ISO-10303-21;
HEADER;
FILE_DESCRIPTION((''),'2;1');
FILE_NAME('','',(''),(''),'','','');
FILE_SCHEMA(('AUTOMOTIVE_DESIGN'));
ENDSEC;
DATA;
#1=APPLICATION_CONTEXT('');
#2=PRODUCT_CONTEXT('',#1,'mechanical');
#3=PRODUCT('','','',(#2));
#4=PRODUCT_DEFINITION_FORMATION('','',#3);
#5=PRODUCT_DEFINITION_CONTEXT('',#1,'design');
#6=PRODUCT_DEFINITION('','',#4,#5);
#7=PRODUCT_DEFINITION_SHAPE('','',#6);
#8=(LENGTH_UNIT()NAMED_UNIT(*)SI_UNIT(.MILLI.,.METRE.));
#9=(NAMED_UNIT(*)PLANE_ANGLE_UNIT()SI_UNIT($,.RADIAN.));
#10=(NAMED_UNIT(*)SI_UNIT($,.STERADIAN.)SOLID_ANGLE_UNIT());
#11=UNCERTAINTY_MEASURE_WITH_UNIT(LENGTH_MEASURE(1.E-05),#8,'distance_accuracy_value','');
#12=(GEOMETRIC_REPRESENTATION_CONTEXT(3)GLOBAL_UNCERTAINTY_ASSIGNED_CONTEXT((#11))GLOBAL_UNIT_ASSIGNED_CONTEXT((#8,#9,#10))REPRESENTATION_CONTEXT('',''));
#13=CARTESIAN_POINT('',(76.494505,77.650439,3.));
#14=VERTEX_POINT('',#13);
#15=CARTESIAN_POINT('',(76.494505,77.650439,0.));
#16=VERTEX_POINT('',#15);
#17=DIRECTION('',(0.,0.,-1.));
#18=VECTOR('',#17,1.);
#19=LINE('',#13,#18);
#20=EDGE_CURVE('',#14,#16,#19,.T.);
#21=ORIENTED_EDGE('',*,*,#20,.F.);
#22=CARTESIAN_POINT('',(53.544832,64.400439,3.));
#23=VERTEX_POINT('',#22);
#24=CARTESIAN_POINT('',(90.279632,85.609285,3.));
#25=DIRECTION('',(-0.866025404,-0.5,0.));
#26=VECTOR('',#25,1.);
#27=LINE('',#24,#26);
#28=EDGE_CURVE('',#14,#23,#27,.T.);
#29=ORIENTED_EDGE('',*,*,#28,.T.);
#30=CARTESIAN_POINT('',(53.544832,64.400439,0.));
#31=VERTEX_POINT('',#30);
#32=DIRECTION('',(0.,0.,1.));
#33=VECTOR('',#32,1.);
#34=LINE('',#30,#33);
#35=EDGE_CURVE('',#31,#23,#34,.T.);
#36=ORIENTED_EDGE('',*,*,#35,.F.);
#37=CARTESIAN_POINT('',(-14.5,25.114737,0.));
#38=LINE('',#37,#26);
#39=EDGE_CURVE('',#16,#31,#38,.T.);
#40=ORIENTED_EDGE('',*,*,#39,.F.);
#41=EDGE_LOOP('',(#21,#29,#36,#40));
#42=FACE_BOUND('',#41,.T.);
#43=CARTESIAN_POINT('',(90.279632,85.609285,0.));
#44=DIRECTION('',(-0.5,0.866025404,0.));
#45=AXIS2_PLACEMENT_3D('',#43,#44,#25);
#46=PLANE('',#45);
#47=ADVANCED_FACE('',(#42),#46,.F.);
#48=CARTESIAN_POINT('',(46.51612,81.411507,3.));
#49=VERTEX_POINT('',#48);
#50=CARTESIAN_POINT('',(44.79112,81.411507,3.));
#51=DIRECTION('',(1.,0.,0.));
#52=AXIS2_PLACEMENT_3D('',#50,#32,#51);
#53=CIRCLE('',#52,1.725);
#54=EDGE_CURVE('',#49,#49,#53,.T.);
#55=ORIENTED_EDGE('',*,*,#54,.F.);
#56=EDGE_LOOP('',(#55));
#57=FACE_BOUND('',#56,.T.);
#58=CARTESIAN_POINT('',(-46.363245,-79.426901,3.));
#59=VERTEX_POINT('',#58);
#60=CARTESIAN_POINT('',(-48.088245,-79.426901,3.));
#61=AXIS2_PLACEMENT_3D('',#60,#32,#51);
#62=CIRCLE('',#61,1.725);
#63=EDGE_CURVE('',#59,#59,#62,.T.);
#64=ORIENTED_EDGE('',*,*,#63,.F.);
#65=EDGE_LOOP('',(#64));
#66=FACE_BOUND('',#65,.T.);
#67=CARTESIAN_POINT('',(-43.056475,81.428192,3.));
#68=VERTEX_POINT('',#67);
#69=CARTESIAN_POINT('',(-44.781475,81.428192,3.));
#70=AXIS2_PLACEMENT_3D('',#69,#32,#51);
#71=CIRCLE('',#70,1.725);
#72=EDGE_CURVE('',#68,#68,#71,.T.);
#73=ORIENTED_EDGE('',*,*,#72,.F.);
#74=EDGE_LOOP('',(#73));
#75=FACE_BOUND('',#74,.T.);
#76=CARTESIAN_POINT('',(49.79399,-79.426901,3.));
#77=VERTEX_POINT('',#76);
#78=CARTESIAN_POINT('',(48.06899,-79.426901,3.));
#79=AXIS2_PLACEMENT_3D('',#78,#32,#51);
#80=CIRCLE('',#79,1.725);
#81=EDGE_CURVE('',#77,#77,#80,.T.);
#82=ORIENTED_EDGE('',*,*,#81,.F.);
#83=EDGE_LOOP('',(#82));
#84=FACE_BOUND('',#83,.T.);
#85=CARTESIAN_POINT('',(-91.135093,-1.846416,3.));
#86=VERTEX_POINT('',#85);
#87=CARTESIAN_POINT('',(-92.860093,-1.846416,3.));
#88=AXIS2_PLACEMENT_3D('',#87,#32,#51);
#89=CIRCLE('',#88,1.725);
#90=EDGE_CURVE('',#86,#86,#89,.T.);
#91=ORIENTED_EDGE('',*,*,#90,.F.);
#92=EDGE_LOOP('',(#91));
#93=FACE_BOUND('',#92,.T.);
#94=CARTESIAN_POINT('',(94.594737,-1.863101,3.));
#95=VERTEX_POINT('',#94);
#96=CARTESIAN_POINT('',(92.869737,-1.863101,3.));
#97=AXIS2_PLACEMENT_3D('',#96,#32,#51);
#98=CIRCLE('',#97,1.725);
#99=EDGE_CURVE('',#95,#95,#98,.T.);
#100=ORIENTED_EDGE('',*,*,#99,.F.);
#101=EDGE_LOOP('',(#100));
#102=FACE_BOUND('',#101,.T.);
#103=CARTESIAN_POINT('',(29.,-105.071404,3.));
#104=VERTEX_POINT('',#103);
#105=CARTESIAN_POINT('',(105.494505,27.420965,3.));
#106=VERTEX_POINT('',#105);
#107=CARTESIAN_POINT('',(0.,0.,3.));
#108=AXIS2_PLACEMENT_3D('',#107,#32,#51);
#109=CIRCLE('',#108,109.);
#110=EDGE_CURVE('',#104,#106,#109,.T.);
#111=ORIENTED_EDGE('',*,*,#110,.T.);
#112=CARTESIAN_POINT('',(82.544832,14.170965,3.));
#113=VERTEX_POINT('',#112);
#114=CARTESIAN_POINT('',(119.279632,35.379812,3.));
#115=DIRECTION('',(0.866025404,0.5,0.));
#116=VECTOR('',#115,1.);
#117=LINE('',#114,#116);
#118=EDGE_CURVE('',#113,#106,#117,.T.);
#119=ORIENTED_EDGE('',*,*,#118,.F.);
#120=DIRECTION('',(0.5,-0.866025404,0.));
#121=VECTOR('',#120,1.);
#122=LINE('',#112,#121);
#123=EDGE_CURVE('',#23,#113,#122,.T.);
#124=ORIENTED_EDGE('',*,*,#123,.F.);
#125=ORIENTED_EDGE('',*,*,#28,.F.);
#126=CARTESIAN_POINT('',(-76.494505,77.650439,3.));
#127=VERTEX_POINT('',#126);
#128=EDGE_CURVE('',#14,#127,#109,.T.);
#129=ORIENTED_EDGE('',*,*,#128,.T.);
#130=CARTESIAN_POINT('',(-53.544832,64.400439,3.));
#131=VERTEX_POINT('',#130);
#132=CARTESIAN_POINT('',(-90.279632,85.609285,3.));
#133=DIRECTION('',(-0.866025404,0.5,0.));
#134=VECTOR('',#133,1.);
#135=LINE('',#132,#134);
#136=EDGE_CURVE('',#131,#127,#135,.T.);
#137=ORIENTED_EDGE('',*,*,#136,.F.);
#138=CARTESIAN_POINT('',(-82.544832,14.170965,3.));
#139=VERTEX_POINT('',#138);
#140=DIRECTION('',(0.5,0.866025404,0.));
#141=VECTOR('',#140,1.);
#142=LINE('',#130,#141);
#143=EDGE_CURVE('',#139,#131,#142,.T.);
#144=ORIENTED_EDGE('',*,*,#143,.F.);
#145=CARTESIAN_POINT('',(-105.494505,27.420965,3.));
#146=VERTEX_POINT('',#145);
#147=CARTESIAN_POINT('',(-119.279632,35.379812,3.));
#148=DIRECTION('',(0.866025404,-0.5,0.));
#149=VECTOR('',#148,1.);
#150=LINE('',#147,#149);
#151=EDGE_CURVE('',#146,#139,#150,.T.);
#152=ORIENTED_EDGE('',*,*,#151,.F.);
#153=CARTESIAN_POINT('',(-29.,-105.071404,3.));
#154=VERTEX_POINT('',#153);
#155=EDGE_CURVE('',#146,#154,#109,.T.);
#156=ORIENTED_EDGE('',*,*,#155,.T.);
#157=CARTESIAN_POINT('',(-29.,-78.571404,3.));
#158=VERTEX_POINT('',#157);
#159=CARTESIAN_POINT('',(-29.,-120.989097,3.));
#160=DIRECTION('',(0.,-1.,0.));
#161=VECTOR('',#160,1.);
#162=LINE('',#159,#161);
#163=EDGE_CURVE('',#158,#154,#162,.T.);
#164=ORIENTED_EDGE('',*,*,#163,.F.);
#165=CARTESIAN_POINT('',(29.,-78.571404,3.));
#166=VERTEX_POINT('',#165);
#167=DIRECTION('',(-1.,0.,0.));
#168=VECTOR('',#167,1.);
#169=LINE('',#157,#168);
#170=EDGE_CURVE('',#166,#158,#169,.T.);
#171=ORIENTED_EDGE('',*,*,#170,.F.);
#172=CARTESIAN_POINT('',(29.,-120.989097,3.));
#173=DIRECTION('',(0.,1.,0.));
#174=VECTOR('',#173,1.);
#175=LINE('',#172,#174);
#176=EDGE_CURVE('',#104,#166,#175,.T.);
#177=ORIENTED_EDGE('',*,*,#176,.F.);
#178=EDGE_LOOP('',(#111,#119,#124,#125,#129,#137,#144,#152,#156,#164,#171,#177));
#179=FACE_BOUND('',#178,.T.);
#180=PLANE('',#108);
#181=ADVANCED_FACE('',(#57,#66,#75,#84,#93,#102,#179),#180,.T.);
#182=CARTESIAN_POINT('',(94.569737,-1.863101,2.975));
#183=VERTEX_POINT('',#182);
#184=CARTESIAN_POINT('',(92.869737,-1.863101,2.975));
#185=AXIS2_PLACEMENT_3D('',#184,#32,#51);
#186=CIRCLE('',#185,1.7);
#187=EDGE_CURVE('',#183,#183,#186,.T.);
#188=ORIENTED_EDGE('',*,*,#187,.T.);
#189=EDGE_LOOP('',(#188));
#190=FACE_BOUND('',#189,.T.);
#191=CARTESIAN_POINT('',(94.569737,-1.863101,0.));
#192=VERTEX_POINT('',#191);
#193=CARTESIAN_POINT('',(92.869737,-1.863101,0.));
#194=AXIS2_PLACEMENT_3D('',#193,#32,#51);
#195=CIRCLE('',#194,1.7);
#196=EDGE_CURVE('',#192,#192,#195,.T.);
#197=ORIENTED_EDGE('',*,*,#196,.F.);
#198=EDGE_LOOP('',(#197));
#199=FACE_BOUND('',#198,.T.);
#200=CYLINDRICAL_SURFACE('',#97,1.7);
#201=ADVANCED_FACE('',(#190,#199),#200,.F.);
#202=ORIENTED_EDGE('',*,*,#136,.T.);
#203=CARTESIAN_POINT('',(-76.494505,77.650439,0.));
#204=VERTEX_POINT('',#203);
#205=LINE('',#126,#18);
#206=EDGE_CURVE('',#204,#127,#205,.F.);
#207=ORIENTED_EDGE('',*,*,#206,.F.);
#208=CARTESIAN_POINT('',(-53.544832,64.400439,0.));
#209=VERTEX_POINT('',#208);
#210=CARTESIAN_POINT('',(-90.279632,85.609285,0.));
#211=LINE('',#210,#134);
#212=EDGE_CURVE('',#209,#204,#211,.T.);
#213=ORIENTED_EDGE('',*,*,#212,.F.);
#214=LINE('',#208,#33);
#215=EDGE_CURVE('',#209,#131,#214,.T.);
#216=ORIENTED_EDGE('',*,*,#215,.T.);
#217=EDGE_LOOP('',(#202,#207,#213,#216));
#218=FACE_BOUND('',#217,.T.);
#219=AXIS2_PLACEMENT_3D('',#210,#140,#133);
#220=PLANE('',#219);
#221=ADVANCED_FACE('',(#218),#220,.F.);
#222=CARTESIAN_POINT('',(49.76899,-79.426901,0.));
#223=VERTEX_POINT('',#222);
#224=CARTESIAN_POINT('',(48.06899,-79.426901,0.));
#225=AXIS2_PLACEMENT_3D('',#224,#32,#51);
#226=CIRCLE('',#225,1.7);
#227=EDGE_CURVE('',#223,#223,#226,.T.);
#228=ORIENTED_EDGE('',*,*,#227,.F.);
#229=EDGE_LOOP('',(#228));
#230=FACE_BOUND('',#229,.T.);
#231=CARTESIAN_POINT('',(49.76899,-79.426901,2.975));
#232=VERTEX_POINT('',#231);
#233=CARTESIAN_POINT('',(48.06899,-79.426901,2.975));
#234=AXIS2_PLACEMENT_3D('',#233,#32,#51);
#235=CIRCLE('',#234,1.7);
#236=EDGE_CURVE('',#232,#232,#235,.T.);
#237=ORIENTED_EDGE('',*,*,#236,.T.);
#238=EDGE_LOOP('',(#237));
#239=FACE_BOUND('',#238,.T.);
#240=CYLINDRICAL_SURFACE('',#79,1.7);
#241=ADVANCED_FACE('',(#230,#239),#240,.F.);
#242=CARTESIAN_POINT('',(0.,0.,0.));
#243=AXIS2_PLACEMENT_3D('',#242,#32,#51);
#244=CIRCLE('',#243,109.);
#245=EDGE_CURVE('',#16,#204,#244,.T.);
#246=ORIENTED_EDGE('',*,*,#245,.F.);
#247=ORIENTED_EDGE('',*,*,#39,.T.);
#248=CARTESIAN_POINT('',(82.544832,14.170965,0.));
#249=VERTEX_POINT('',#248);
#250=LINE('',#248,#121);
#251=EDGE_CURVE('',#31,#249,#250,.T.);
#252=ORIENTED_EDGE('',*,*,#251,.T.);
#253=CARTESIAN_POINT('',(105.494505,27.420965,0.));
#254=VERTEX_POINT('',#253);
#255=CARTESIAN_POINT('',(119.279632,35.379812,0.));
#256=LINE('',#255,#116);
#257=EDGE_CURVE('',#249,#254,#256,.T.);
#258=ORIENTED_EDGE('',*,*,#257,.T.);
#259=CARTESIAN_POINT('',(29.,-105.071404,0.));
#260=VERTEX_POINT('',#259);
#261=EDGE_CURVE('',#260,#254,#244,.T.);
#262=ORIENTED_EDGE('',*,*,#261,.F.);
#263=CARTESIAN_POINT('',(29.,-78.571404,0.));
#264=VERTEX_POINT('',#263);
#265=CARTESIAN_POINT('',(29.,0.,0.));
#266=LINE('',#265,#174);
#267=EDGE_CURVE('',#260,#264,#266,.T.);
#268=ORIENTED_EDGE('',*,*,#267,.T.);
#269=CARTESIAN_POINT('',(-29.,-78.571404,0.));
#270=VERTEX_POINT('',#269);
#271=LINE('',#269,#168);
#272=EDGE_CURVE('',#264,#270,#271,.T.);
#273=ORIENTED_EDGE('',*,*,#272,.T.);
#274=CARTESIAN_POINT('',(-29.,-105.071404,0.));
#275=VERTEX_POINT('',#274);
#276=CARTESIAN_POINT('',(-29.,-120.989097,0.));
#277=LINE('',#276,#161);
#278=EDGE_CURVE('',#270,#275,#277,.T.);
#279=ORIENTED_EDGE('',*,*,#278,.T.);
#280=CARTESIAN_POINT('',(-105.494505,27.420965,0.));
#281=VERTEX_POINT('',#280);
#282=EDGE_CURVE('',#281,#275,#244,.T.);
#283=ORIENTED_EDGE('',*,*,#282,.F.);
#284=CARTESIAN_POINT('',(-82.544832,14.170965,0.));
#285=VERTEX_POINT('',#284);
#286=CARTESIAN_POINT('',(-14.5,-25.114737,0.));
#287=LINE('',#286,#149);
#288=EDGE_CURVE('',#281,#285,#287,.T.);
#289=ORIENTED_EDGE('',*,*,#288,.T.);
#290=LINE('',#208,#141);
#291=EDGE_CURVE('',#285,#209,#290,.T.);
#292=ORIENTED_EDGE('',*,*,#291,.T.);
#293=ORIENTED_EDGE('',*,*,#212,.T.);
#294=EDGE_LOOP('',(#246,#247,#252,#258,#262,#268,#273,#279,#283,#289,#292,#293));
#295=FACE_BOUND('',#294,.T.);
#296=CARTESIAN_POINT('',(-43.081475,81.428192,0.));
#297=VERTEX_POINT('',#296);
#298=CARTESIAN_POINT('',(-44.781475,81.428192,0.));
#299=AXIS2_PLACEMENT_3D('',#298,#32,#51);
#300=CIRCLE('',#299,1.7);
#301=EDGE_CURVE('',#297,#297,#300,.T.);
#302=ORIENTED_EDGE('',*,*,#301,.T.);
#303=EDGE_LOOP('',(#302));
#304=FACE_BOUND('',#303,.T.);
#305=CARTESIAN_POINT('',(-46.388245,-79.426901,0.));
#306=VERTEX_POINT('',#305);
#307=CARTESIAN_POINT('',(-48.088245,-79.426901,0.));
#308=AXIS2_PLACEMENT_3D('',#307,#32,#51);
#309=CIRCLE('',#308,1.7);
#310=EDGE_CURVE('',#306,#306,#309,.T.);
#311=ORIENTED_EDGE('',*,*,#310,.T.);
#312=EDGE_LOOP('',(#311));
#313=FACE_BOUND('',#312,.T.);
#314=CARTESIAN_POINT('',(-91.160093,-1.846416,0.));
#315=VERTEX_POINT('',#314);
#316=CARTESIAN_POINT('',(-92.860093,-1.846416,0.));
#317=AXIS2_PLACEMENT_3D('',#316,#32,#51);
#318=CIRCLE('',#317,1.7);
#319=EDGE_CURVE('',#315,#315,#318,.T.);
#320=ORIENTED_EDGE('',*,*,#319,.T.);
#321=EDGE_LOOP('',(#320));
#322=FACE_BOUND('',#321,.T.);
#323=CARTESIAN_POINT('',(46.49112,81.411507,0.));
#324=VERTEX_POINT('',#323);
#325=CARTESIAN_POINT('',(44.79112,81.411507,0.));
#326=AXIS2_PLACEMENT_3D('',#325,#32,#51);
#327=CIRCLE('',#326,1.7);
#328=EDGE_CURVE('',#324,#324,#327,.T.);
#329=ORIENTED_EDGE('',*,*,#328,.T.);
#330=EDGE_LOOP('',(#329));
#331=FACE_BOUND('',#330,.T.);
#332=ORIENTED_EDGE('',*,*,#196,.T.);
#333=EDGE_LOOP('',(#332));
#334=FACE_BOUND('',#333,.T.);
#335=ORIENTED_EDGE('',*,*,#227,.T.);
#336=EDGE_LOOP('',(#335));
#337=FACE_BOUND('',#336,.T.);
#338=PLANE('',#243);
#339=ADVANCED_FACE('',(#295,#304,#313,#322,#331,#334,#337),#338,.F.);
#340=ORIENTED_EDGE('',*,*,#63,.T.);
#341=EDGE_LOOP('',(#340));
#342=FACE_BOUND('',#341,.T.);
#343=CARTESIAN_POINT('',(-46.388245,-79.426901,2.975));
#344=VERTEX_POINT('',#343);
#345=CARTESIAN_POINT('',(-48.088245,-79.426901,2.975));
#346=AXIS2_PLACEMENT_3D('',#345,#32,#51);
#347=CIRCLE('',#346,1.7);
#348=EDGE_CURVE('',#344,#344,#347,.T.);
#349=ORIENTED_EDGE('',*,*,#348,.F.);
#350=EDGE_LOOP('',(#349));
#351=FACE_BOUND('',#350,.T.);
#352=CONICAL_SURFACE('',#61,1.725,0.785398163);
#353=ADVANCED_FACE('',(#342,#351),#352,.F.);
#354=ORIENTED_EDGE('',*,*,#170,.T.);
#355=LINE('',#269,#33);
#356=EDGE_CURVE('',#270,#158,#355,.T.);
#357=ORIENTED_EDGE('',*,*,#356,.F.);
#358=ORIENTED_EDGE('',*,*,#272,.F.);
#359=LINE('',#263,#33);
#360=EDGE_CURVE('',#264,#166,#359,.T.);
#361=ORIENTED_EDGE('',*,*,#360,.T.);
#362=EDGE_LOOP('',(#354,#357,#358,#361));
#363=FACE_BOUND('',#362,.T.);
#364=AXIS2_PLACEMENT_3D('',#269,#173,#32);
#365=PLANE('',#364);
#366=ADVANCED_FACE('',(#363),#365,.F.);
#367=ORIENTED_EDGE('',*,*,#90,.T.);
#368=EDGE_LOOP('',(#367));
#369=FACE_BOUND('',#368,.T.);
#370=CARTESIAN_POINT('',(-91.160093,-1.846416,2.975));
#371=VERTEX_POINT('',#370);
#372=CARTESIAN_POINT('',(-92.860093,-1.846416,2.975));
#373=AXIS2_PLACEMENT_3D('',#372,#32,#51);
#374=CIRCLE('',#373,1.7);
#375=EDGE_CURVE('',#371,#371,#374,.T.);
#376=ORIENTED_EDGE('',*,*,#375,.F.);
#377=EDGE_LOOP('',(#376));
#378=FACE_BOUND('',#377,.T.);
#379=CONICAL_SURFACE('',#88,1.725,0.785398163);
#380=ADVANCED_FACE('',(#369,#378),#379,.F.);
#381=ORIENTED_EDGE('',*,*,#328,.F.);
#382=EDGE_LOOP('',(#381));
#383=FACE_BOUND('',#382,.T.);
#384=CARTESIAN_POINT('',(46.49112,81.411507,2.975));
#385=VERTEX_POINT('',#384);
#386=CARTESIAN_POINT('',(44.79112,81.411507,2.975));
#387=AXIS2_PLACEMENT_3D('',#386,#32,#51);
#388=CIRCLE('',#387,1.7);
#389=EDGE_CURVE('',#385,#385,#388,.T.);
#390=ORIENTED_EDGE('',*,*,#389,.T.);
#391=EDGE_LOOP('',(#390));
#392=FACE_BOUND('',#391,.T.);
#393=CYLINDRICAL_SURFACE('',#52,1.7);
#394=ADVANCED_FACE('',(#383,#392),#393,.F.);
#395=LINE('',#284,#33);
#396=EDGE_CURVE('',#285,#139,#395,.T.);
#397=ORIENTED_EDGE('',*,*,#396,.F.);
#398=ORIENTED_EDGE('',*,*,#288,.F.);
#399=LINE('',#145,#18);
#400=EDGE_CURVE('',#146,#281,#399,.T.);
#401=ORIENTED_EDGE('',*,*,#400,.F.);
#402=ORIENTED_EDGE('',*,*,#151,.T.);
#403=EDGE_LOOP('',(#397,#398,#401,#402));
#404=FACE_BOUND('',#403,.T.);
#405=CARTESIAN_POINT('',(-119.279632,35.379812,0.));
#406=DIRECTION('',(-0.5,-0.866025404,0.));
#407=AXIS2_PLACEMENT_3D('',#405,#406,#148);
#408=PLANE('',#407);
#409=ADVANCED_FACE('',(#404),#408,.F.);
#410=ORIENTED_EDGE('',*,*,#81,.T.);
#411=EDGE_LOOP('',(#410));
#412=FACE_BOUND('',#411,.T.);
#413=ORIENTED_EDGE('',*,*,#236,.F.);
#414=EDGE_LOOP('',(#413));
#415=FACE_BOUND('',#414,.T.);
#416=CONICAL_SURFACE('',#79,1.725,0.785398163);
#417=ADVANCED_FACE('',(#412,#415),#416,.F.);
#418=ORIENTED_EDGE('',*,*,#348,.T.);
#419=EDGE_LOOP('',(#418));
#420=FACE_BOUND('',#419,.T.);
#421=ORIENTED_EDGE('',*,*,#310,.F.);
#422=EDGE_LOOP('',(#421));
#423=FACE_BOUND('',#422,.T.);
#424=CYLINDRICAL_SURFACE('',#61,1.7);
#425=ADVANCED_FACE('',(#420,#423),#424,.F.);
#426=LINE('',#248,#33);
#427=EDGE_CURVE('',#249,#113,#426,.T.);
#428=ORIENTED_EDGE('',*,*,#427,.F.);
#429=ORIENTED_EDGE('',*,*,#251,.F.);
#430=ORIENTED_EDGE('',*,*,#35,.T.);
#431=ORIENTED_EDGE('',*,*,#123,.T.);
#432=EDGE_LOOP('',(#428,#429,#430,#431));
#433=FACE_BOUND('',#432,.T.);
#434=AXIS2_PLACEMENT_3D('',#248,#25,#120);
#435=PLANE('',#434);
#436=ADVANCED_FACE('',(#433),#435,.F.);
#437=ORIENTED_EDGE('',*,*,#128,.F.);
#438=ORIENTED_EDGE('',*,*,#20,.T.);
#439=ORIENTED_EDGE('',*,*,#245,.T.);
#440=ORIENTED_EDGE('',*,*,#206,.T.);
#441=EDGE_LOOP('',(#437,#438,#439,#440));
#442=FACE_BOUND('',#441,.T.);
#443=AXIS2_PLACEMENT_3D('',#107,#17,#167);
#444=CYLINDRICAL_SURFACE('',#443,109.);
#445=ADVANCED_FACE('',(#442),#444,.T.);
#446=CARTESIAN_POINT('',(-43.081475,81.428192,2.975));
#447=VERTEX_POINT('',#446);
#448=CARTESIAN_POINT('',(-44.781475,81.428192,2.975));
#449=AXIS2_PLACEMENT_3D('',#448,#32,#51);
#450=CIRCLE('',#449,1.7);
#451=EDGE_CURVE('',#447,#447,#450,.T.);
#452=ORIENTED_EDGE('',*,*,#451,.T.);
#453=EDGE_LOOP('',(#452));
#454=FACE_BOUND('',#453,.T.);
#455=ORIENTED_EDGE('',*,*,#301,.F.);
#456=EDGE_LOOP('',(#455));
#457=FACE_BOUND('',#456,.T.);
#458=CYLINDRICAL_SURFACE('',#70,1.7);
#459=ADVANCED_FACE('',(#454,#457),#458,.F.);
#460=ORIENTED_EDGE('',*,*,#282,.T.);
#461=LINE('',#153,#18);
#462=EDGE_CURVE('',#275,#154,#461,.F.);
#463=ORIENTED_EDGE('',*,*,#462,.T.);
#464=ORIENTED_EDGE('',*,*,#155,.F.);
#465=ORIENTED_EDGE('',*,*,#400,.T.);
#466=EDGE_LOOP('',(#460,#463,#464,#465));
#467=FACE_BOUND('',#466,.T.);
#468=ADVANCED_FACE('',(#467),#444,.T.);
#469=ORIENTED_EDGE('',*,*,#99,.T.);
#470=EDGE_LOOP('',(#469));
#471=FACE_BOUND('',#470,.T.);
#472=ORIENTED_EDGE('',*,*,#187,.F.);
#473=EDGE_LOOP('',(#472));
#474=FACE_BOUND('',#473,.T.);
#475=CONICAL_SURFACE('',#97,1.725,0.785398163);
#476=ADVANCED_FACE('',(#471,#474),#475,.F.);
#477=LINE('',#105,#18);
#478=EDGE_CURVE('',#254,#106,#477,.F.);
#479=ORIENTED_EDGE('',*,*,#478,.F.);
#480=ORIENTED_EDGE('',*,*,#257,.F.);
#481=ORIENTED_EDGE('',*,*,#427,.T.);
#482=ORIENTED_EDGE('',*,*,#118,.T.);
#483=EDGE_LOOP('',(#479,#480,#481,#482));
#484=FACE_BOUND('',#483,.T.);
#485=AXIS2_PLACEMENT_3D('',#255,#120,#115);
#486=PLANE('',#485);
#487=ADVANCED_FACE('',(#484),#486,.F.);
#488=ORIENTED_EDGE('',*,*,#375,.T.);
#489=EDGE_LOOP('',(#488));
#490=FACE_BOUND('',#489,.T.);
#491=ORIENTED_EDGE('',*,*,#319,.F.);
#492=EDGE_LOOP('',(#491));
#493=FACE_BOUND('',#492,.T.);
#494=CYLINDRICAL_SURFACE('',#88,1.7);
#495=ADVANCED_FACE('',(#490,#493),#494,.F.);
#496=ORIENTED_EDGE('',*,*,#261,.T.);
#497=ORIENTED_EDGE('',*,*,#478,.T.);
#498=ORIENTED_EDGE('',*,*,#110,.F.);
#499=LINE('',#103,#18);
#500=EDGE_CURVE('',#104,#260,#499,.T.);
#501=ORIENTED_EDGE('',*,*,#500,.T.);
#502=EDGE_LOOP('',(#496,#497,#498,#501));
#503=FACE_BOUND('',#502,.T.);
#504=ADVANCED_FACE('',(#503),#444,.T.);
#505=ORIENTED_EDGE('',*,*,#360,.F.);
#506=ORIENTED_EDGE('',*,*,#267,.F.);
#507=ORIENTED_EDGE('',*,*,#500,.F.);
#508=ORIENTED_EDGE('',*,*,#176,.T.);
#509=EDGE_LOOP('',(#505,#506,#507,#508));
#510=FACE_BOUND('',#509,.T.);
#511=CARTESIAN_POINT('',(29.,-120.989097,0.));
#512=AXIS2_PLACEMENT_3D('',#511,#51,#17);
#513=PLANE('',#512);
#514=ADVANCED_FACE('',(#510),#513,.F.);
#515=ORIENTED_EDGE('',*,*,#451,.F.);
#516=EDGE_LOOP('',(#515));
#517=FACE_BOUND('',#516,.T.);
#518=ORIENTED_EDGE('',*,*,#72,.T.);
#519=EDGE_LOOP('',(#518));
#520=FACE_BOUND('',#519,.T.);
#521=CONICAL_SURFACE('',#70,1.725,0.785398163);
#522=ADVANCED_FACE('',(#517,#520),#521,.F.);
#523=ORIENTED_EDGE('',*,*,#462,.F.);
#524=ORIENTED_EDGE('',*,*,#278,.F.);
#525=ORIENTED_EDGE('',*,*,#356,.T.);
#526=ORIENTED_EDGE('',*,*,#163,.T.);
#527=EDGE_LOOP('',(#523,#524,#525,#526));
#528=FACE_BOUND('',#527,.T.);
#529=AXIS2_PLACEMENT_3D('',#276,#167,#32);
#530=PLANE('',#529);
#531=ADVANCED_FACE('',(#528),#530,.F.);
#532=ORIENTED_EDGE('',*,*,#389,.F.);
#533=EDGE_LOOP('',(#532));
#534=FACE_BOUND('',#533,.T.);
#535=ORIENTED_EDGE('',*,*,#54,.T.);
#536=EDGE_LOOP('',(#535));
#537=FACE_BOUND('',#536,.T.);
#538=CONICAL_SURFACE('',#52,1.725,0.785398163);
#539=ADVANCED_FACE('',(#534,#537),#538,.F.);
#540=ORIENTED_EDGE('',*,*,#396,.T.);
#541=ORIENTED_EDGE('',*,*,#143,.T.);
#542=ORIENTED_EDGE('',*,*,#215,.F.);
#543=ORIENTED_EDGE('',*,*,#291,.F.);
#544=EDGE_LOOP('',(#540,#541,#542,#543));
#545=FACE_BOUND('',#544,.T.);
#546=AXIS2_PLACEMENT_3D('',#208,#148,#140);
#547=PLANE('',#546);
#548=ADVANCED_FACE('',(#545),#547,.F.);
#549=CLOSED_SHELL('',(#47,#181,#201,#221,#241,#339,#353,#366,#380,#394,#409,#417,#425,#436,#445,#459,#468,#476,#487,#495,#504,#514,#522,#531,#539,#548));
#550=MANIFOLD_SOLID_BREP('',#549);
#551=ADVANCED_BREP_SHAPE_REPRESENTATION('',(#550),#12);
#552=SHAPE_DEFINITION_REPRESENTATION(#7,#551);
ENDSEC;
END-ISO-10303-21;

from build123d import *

# Parameters (mm, degrees)
ESQUISSE2_R                  = 109
BOSS_EXTRU_1_DEPTH           = 3
ESQUISSE3_W                  = 58
ESQUISSE3_H                  = 42.41769301
ENL_V_MAT_EXTRU_1_DEPTH      = 3
D_GAGEMENT_M31_D             = 3.4
D_GAGEMENT_M31_CSINK_D       = 3.45
D_GAGEMENT_M31_CSINK_ANGLE   = 90
R_P_TITION_CIRCULAIRE1_COUNT = 3


with BuildPart() as part:
    # Esquisse2 → Boss.-Extru.1 (new body)
    with BuildSketch(Plane.XY):
        Circle(ESQUISSE2_R)
    extrude(amount=BOSS_EXTRU_1_DEPTH)

    # Esquisse3 → Enlèv. mat.-Extru.1 (cut)
    with BuildSketch(Plane.XY.offset(3)):
        with Locations((0, -99.780250798)):
            Rectangle(ESQUISSE3_W, ESQUISSE3_H)
        Polygon((-90.279631846, 85.609285361), (-119.279631846, 35.379811942), (-82.544832128, 14.170965437), (-53.544832128, 64.400438856), align=None)
        Polygon((119.279631846, 35.379811942), (90.279631846, 85.609285361), (53.544832128, 64.400438856), (82.544832128, 14.170965437), align=None)
    extrude(amount=-ENL_V_MAT_EXTRU_1_DEPTH, mode=Mode.SUBTRACT)

    # Dégagement M31 (through all)
    with Locations(Plane.XY.offset(3)):
        with Locations((-48.088245044, -79.426901276), (48.068989794, -79.426901276)):
            d_gagement_m31 = CounterSinkHole(D_GAGEMENT_M31_D / 2, D_GAGEMENT_M31_CSINK_D / 2, counter_sink_angle=D_GAGEMENT_M31_CSINK_ANGLE)

    # Répétition circulaire1: Dégagement M31 ×3 about axis
    r_p_tition_circulaire1_axis = Axis((5.584e-06, 0.046063312, 0), (0, 0, 1))
    for i in range(1, R_P_TITION_CIRCULAIRE1_COUNT):
        add(d_gagement_m31.rotate(r_p_tition_circulaire1_axis, i * 360 / R_P_TITION_CIRCULAIRE1_COUNT), mode=Mode.SUBTRACT)


solid = part.part
